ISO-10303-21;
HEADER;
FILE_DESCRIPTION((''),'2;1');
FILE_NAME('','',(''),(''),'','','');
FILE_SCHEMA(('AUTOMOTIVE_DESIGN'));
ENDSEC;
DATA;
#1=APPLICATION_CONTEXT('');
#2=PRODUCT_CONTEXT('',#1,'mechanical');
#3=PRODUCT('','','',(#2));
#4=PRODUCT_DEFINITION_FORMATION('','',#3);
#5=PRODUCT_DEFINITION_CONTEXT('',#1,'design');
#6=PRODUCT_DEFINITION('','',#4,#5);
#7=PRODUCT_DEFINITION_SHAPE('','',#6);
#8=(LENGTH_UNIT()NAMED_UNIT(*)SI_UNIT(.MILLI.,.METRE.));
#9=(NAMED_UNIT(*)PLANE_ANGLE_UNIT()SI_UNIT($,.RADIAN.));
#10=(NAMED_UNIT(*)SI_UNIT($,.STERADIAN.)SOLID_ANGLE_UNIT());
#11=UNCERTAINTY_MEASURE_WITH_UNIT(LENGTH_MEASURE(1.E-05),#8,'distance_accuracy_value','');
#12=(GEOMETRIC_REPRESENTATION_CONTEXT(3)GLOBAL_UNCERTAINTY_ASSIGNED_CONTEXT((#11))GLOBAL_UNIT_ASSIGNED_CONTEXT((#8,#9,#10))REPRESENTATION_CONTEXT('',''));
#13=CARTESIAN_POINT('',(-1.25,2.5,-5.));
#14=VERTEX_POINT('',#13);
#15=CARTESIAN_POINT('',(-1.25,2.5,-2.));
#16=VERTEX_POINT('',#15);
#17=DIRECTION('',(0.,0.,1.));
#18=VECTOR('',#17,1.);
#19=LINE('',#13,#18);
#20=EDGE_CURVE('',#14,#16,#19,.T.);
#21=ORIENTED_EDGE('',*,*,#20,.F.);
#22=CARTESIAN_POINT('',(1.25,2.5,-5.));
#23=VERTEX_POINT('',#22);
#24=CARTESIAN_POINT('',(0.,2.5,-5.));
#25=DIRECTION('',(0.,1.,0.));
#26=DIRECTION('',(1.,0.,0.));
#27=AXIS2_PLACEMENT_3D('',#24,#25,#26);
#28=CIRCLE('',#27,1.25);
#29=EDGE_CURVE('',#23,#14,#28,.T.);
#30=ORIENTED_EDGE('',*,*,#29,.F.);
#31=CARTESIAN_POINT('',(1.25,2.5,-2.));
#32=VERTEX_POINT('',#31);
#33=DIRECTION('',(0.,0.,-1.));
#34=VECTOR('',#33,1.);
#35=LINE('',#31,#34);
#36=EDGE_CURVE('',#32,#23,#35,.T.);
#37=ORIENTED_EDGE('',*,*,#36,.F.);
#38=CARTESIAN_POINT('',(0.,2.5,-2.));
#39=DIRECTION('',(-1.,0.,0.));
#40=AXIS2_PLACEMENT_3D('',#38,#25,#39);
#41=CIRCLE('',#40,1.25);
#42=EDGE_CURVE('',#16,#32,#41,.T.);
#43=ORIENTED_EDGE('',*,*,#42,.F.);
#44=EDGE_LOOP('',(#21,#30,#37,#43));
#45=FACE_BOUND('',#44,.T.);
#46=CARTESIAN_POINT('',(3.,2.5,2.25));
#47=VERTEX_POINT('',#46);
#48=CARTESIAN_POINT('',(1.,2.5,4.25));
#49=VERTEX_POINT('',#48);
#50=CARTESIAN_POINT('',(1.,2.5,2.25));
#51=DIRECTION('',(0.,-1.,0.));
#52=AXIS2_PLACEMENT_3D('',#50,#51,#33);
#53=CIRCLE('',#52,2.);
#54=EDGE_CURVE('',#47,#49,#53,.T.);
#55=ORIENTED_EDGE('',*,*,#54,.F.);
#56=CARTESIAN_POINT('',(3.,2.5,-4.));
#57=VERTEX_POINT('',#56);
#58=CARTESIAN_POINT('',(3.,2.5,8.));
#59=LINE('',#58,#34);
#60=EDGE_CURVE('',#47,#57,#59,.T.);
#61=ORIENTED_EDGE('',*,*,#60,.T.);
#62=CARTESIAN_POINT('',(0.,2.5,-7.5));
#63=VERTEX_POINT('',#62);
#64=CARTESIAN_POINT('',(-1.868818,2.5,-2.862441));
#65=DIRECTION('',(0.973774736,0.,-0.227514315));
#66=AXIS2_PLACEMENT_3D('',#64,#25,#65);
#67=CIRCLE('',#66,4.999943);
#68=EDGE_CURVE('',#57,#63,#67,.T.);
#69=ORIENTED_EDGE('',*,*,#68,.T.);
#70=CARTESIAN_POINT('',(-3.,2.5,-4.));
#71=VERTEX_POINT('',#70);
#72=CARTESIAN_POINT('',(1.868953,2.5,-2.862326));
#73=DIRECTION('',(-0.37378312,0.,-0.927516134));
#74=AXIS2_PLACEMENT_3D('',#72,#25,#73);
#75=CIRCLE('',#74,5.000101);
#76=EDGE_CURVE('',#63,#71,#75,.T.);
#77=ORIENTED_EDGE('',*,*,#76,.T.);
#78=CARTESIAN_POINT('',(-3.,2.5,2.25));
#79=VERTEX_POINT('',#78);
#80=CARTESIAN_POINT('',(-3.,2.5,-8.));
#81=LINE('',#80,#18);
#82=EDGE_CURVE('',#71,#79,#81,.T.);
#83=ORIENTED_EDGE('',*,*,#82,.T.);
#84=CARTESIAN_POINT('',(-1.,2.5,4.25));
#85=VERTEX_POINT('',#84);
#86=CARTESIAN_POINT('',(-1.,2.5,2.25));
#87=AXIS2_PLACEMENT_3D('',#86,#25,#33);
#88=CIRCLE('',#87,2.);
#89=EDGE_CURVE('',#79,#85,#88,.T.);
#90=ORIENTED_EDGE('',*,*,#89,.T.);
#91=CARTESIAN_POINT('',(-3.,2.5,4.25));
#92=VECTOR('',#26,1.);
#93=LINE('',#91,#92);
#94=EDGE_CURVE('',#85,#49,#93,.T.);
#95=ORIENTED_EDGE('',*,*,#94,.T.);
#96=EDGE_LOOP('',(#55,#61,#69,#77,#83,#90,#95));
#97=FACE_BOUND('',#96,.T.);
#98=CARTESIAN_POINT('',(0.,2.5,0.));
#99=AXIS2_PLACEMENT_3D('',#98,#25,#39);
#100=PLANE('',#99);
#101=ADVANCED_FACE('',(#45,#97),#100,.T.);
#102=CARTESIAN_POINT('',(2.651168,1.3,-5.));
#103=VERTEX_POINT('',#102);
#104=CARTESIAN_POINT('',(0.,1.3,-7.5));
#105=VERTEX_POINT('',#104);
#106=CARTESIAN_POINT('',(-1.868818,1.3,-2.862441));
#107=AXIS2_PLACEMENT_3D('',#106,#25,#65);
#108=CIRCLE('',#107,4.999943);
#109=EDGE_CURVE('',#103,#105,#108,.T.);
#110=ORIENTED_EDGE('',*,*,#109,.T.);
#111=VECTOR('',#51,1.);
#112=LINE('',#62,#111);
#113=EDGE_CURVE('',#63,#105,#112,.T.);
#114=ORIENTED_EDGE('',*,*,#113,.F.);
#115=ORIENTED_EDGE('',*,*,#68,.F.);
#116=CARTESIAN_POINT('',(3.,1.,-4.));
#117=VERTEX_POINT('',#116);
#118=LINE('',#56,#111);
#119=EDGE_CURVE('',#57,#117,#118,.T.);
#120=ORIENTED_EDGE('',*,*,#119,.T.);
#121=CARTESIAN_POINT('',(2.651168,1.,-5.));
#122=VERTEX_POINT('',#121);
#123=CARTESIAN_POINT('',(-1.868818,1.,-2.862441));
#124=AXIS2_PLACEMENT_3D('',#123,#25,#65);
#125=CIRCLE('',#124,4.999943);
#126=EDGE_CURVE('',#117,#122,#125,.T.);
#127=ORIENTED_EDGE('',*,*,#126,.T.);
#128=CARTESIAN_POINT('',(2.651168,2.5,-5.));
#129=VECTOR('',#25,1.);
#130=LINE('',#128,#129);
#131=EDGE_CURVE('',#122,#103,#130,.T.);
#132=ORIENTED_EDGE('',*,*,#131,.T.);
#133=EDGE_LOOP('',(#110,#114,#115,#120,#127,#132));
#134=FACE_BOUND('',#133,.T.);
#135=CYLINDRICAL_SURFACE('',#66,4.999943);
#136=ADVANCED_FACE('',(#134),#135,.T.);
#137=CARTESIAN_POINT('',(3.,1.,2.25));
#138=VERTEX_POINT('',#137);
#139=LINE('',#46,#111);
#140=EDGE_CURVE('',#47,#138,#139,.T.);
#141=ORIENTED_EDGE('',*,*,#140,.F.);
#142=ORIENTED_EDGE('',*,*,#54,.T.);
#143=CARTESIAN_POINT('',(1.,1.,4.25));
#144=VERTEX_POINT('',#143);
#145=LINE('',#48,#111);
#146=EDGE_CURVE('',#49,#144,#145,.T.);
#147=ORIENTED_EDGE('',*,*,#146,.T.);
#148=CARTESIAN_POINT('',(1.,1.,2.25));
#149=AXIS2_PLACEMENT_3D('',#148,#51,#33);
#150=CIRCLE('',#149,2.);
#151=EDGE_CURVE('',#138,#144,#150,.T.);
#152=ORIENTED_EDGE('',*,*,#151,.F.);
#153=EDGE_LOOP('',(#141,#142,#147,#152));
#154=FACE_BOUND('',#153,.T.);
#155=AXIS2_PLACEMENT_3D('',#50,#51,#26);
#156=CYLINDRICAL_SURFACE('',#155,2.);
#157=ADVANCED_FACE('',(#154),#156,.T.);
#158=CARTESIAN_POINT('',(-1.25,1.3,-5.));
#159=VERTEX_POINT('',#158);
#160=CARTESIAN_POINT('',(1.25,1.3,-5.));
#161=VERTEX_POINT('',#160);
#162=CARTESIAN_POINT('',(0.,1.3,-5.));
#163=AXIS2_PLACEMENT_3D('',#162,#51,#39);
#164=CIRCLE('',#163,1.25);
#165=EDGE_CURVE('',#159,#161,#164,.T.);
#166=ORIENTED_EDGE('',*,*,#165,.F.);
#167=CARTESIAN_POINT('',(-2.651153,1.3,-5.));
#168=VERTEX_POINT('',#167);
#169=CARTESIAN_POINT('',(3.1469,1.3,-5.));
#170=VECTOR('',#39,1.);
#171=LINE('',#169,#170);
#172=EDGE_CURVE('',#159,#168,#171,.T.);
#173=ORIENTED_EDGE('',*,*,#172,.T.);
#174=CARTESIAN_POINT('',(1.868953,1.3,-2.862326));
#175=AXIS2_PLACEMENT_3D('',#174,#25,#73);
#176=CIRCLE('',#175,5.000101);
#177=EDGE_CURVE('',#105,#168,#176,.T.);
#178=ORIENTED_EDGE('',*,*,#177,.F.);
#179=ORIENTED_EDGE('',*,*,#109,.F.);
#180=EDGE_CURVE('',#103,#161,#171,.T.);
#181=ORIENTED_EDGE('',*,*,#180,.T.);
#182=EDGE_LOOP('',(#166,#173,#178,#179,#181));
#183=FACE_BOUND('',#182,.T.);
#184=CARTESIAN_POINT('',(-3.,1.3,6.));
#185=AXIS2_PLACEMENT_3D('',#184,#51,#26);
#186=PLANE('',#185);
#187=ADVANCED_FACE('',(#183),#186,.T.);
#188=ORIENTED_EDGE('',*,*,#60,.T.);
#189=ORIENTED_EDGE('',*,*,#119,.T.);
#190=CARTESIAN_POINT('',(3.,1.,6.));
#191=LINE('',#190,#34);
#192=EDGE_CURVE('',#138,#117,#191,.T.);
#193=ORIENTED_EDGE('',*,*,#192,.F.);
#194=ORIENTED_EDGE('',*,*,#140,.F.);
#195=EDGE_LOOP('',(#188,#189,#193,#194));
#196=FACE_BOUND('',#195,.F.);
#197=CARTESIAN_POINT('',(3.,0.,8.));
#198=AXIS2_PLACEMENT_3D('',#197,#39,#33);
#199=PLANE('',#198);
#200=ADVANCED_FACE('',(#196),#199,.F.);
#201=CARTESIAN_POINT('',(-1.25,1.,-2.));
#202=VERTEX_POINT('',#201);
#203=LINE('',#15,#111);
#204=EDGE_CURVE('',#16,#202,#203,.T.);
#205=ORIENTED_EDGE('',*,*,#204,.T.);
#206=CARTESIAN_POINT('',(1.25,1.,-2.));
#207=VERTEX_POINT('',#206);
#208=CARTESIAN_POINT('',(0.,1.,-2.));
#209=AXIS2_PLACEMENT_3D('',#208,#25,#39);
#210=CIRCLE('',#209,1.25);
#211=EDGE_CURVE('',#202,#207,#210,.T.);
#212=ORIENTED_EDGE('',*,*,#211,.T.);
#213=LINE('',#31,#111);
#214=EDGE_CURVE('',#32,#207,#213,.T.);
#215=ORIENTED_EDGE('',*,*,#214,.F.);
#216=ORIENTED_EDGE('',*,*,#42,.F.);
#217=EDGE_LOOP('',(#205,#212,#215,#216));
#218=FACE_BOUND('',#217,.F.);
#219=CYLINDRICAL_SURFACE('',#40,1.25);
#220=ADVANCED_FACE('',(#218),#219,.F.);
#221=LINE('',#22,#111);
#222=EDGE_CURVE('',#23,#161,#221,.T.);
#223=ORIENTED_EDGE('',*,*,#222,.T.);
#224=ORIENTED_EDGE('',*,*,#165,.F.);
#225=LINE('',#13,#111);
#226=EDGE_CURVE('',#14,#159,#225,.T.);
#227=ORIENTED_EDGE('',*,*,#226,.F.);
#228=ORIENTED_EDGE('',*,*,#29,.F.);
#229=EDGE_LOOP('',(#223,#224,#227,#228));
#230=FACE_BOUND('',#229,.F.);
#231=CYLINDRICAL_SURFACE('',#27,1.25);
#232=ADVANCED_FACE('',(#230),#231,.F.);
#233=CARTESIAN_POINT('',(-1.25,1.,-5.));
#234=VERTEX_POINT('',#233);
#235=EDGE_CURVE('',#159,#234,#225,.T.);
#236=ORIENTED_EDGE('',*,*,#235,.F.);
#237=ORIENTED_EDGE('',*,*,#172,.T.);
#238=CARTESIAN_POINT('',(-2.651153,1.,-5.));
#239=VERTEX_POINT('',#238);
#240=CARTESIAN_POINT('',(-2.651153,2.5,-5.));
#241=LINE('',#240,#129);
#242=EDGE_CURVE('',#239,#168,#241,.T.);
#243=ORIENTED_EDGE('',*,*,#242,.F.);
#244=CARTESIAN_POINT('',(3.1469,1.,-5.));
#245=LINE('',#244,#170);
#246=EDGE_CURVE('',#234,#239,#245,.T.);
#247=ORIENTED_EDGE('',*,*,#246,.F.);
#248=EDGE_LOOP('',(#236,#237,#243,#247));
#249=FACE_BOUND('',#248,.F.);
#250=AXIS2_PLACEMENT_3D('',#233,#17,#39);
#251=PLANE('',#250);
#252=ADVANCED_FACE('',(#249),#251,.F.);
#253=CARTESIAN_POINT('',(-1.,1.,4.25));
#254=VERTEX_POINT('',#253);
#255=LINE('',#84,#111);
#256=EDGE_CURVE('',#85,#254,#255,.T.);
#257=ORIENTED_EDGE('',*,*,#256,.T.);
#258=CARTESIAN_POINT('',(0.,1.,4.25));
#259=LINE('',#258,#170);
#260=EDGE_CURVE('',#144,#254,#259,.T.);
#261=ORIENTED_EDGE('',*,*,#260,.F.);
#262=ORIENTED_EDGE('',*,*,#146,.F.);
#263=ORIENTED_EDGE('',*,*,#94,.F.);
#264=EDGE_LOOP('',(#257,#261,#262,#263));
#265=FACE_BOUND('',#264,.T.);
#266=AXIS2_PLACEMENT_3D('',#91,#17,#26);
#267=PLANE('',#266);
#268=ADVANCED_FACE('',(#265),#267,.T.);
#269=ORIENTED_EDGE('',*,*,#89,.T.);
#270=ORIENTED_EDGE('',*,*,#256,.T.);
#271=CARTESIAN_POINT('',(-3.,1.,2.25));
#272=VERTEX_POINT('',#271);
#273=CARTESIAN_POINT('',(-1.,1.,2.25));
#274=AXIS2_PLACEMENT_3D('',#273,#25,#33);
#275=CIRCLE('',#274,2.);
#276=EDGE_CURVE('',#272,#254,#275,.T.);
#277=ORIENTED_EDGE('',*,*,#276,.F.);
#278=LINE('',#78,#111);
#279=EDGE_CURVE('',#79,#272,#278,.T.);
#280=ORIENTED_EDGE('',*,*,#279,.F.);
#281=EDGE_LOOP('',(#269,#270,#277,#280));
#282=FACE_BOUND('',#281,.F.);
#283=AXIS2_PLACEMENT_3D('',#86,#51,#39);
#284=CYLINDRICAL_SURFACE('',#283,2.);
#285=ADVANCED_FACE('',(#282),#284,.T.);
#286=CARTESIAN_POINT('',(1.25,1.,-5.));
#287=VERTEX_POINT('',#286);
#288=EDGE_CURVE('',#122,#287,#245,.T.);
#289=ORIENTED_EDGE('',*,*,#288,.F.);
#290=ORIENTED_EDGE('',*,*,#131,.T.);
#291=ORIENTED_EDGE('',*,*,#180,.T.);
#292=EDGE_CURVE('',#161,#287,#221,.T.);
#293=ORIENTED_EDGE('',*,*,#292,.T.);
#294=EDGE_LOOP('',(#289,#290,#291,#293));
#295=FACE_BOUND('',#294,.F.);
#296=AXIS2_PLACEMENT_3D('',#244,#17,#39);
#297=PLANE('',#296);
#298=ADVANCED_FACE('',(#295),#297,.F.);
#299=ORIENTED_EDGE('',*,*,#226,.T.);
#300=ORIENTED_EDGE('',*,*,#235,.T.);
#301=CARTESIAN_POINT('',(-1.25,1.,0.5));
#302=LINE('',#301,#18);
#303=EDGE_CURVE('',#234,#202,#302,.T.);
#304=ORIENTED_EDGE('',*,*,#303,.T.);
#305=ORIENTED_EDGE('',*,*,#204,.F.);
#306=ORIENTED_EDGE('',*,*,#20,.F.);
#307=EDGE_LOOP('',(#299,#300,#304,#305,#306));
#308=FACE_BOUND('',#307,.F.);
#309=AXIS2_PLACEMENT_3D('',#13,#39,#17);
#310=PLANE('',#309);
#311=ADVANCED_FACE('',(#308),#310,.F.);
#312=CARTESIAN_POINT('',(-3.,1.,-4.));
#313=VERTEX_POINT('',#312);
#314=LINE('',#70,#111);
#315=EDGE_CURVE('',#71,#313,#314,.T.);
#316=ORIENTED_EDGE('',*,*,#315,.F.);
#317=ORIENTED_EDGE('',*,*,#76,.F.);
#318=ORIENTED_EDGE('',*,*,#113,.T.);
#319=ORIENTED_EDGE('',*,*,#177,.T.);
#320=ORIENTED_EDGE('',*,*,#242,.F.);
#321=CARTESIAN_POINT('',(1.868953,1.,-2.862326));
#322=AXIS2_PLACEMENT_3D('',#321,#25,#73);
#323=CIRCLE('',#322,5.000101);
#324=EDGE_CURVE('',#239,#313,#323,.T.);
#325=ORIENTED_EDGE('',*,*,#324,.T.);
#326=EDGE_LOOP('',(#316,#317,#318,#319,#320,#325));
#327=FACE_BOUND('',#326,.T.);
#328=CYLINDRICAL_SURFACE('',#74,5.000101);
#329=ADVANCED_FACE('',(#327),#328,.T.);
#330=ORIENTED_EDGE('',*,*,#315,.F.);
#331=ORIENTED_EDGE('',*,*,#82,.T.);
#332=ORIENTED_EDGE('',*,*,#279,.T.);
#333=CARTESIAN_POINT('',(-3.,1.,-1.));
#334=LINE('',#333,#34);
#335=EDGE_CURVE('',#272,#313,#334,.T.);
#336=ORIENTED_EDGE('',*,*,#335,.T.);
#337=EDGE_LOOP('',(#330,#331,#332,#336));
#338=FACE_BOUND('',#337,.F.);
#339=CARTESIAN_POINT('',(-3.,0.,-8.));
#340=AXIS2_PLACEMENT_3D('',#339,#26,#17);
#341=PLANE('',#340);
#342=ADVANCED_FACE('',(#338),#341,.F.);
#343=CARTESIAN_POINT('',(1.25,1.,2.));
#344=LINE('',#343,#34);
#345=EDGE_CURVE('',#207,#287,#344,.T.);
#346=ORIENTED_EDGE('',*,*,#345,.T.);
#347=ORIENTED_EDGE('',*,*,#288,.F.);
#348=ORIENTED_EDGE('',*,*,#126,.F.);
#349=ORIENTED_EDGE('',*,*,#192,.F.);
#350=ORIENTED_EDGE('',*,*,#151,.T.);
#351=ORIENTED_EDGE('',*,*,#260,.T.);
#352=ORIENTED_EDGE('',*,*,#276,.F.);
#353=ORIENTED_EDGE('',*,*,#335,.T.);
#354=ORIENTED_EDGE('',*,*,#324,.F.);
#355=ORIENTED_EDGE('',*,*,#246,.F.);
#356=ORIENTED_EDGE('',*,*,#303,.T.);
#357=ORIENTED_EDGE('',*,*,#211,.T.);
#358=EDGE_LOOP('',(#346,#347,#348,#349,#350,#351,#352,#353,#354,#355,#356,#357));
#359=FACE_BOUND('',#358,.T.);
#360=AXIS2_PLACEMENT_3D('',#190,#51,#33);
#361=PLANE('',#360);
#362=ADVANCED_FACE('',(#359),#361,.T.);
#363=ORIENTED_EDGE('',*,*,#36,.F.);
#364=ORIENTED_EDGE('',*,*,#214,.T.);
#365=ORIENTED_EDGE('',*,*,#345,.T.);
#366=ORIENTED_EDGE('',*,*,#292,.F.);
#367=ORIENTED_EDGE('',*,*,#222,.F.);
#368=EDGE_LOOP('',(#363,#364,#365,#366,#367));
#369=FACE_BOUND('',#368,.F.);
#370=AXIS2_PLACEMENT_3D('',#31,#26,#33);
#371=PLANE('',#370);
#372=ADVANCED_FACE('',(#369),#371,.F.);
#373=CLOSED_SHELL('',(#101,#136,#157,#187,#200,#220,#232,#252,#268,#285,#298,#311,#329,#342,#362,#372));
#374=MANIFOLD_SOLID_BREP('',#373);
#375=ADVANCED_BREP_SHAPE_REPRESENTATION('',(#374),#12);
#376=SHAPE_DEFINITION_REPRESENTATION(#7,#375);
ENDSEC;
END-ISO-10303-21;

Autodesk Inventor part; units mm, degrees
ref_plane "YZ Plane" through (0, 0, 0) normal (1, 0, 0) x (0, 1, 0)
ref_plane "XZ Plane" through (0, 0, 0) normal (0, 1, 0) x (-1, 0, 0)
ref_plane "XY Plane" through (0, 0, 0) normal (0, 0, 1) x (1, 0, 0)
sketch "Sketch1" plane through (0, 0, 0) normal (0, 1, 0) x (-1, 0, 0)
  line L0 (-3, -8) -> (3, -8)
  line L1 (3, -8) -> (3, 8)
  line L2 (3, 8) -> (-3, 8)
  line L3 (-3, 8) -> (-3, -8)
  line L4 (-3, -8) -> (3, 8) construction
  line L5 (3, -8) -> (-3, 8) construction
  point P0 (0, 0)
  dimension "d0" = 16
  dimension "d1" = 6
extrude "Extrusion1" add sketch "Sketch1" along normal blind 2.5
sketch "Sketch2" plane through (0, 2.5, 0) normal (0, 1, 0) x (1, 0, 0)
  line L0 (0, 5) -> (0, 2) construction
  line L1 (-1.25, 5) -> (-1.25, 2)
  line L2 (1.25, 2) -> (1.25, 5)
  arc A0 (1.25, 5) -> (-1.25, 5) centre (0, 5) ccw
  arc A1 (-1.25, 2) -> (1.25, 2) centre (0, 2) ccw
  line L3 (-3, -8) -> (3, -8) projected
  line L4 (-3, 8) -> (-3, -8) projected
  line L5 (-3, -8) -> (3, -8) projected
  line L6 (3, -8) -> (3, 8) projected
  line L7 (3, 8) -> (-3, 8) projected
  point P0 (0, 3.5)
  point P1 (0, 3.5)
  dimension "d4" = 2.5
  dimension "d7" = 6
  dimension "d8" = 3
  dimension "d9" = 3
  dimension "d28" = 3
extrude "Extrusion2" cut sketch "Sketch2" against normal through all contours A0 L2 A1 L1
sketch "Sketch3" plane through (3, 0, 8) normal (1, 0, 0) x (0, 0, -1)
  line L0 (16, 0) -> (0, 0) projected
  line L1 (16, 0) -> (2, 0)
  line L2 (2, 0) -> (2, 1)
  line L3 (2, 1) -> (16, 1)
  line L4 (16, 1) -> (16, 0)
  line L5 (0, 0) -> (0, 2.5) projected
  line L6 (0, 2.5) -> (16, 2.5) projected
  point P0 (8, 0)
  point P1 (2, 0)
  dimension "d12" = 2
  dimension "d13" = 1.5
extrude "Extrusion3" cut sketch "Sketch3" against normal through all
sketch "Sketch4" plane through (0, 2.5, 0) normal (0, 1, 0) x (1, 0, 0)
  line L0 (-3, 8) -> (-3, -8) projected
  line L1 (3, -8) -> (3, 8) projected
  arc A0 (-3, -6) -> (3, -6) centre (0, -4.75) ccw
  line L2 (-3, -8) -> (3, -8) projected
  point P0 (0, 0)
  point P1 (-2, 6)
  point P2 (2, 6)
  point P3 (3, 8)
  point P4 (0, -8)
  point P5 (-2.2361, -8)
  dimension "d17" = 2
extrude "Extrusion4" cut sketch "Sketch4" against normal through all
sketch "Sketch5" plane through (0, 2.5, 0) normal (0, 1, 0) x (1, 0, 0)
  line L0 (3, -6) -> (3, 8) projected
  line L1 (3, 8) -> (-3, 8) projected
  line L2 (-3, 8) -> (-3, -6) projected
  arc A0 (1.25, 5) -> (-1.25, 5) centre (0, 5) ccw projected
  arc A1 (3, 4) -> (0, 7.5) centre (-1.8689, 2.8624) ccw
  arc A2 (0, 7.5) -> (-3, 4) centre (1.8689, 2.8624) ccw
  point P0 (0, 0)
  point P1 (-3, 6.2041)
  point P2 (0, 6.25)
  point P3 (0, 6.25)
  dimension "d23" = 5
  dimension "d24" = 4
  dimension "d25" = 0.5
extrude "Extrusion5" cut sketch "Sketch5" against normal through all
sketch "Sketch6" plane through (-3, 1, 6) normal (0, -1, 0) x (1, 0, 0)
  line L0 (6.1469, -11) -> (-0.0299, -11)
  line L1 (-0.0299, -11) -> (-0.0299, -13.5)
  line L2 (-0.0299, -13.5) -> (6.1469, -13.5)
  line L3 (6.1469, -13.5) -> (6.1469, -11)
  arc A0 (1.75, -11) -> (4.25, -11) centre (3, -11) ccw projected
  point P0 (3, -6)
  point P1 (3, -13.5)
  point P2 (1.75, -11)
extrude "Extrusion6" cut sketch "Sketch6" against normal blind 0.3 contours L3 L2 L1 L0 A0
sketch "Sketch7" plane through (0, 2.5, 0) normal (0, 1, 0) x (1, 0, 0)
  line L0 (3, -6) -> (3, 4) projected
  line L1 (-3, 4) -> (-3, -6) projected
  line L2 (-3, -4.25) -> (3, -4.25)
  arc A0 (-1.25, 2) -> (1.25, 2) centre (0, 2) ccw projected
  arc A1 (-3, -6) -> (3, -6) centre (0, -4.75) ccw projected
  point P0 (0, 0)
  point P1 (0, 0.75)
  dimension "d29" = 5
extrude "Extrusion7" cut sketch "Sketch7" against normal through all
fillet "Fillet2" radius 2 2 edges at (3, 1.75, 4.25) (-3, 1.75, 4.25)
equation "\"d8\" = 0.5 * d7"
properties part number "Carrier Tab V2"
